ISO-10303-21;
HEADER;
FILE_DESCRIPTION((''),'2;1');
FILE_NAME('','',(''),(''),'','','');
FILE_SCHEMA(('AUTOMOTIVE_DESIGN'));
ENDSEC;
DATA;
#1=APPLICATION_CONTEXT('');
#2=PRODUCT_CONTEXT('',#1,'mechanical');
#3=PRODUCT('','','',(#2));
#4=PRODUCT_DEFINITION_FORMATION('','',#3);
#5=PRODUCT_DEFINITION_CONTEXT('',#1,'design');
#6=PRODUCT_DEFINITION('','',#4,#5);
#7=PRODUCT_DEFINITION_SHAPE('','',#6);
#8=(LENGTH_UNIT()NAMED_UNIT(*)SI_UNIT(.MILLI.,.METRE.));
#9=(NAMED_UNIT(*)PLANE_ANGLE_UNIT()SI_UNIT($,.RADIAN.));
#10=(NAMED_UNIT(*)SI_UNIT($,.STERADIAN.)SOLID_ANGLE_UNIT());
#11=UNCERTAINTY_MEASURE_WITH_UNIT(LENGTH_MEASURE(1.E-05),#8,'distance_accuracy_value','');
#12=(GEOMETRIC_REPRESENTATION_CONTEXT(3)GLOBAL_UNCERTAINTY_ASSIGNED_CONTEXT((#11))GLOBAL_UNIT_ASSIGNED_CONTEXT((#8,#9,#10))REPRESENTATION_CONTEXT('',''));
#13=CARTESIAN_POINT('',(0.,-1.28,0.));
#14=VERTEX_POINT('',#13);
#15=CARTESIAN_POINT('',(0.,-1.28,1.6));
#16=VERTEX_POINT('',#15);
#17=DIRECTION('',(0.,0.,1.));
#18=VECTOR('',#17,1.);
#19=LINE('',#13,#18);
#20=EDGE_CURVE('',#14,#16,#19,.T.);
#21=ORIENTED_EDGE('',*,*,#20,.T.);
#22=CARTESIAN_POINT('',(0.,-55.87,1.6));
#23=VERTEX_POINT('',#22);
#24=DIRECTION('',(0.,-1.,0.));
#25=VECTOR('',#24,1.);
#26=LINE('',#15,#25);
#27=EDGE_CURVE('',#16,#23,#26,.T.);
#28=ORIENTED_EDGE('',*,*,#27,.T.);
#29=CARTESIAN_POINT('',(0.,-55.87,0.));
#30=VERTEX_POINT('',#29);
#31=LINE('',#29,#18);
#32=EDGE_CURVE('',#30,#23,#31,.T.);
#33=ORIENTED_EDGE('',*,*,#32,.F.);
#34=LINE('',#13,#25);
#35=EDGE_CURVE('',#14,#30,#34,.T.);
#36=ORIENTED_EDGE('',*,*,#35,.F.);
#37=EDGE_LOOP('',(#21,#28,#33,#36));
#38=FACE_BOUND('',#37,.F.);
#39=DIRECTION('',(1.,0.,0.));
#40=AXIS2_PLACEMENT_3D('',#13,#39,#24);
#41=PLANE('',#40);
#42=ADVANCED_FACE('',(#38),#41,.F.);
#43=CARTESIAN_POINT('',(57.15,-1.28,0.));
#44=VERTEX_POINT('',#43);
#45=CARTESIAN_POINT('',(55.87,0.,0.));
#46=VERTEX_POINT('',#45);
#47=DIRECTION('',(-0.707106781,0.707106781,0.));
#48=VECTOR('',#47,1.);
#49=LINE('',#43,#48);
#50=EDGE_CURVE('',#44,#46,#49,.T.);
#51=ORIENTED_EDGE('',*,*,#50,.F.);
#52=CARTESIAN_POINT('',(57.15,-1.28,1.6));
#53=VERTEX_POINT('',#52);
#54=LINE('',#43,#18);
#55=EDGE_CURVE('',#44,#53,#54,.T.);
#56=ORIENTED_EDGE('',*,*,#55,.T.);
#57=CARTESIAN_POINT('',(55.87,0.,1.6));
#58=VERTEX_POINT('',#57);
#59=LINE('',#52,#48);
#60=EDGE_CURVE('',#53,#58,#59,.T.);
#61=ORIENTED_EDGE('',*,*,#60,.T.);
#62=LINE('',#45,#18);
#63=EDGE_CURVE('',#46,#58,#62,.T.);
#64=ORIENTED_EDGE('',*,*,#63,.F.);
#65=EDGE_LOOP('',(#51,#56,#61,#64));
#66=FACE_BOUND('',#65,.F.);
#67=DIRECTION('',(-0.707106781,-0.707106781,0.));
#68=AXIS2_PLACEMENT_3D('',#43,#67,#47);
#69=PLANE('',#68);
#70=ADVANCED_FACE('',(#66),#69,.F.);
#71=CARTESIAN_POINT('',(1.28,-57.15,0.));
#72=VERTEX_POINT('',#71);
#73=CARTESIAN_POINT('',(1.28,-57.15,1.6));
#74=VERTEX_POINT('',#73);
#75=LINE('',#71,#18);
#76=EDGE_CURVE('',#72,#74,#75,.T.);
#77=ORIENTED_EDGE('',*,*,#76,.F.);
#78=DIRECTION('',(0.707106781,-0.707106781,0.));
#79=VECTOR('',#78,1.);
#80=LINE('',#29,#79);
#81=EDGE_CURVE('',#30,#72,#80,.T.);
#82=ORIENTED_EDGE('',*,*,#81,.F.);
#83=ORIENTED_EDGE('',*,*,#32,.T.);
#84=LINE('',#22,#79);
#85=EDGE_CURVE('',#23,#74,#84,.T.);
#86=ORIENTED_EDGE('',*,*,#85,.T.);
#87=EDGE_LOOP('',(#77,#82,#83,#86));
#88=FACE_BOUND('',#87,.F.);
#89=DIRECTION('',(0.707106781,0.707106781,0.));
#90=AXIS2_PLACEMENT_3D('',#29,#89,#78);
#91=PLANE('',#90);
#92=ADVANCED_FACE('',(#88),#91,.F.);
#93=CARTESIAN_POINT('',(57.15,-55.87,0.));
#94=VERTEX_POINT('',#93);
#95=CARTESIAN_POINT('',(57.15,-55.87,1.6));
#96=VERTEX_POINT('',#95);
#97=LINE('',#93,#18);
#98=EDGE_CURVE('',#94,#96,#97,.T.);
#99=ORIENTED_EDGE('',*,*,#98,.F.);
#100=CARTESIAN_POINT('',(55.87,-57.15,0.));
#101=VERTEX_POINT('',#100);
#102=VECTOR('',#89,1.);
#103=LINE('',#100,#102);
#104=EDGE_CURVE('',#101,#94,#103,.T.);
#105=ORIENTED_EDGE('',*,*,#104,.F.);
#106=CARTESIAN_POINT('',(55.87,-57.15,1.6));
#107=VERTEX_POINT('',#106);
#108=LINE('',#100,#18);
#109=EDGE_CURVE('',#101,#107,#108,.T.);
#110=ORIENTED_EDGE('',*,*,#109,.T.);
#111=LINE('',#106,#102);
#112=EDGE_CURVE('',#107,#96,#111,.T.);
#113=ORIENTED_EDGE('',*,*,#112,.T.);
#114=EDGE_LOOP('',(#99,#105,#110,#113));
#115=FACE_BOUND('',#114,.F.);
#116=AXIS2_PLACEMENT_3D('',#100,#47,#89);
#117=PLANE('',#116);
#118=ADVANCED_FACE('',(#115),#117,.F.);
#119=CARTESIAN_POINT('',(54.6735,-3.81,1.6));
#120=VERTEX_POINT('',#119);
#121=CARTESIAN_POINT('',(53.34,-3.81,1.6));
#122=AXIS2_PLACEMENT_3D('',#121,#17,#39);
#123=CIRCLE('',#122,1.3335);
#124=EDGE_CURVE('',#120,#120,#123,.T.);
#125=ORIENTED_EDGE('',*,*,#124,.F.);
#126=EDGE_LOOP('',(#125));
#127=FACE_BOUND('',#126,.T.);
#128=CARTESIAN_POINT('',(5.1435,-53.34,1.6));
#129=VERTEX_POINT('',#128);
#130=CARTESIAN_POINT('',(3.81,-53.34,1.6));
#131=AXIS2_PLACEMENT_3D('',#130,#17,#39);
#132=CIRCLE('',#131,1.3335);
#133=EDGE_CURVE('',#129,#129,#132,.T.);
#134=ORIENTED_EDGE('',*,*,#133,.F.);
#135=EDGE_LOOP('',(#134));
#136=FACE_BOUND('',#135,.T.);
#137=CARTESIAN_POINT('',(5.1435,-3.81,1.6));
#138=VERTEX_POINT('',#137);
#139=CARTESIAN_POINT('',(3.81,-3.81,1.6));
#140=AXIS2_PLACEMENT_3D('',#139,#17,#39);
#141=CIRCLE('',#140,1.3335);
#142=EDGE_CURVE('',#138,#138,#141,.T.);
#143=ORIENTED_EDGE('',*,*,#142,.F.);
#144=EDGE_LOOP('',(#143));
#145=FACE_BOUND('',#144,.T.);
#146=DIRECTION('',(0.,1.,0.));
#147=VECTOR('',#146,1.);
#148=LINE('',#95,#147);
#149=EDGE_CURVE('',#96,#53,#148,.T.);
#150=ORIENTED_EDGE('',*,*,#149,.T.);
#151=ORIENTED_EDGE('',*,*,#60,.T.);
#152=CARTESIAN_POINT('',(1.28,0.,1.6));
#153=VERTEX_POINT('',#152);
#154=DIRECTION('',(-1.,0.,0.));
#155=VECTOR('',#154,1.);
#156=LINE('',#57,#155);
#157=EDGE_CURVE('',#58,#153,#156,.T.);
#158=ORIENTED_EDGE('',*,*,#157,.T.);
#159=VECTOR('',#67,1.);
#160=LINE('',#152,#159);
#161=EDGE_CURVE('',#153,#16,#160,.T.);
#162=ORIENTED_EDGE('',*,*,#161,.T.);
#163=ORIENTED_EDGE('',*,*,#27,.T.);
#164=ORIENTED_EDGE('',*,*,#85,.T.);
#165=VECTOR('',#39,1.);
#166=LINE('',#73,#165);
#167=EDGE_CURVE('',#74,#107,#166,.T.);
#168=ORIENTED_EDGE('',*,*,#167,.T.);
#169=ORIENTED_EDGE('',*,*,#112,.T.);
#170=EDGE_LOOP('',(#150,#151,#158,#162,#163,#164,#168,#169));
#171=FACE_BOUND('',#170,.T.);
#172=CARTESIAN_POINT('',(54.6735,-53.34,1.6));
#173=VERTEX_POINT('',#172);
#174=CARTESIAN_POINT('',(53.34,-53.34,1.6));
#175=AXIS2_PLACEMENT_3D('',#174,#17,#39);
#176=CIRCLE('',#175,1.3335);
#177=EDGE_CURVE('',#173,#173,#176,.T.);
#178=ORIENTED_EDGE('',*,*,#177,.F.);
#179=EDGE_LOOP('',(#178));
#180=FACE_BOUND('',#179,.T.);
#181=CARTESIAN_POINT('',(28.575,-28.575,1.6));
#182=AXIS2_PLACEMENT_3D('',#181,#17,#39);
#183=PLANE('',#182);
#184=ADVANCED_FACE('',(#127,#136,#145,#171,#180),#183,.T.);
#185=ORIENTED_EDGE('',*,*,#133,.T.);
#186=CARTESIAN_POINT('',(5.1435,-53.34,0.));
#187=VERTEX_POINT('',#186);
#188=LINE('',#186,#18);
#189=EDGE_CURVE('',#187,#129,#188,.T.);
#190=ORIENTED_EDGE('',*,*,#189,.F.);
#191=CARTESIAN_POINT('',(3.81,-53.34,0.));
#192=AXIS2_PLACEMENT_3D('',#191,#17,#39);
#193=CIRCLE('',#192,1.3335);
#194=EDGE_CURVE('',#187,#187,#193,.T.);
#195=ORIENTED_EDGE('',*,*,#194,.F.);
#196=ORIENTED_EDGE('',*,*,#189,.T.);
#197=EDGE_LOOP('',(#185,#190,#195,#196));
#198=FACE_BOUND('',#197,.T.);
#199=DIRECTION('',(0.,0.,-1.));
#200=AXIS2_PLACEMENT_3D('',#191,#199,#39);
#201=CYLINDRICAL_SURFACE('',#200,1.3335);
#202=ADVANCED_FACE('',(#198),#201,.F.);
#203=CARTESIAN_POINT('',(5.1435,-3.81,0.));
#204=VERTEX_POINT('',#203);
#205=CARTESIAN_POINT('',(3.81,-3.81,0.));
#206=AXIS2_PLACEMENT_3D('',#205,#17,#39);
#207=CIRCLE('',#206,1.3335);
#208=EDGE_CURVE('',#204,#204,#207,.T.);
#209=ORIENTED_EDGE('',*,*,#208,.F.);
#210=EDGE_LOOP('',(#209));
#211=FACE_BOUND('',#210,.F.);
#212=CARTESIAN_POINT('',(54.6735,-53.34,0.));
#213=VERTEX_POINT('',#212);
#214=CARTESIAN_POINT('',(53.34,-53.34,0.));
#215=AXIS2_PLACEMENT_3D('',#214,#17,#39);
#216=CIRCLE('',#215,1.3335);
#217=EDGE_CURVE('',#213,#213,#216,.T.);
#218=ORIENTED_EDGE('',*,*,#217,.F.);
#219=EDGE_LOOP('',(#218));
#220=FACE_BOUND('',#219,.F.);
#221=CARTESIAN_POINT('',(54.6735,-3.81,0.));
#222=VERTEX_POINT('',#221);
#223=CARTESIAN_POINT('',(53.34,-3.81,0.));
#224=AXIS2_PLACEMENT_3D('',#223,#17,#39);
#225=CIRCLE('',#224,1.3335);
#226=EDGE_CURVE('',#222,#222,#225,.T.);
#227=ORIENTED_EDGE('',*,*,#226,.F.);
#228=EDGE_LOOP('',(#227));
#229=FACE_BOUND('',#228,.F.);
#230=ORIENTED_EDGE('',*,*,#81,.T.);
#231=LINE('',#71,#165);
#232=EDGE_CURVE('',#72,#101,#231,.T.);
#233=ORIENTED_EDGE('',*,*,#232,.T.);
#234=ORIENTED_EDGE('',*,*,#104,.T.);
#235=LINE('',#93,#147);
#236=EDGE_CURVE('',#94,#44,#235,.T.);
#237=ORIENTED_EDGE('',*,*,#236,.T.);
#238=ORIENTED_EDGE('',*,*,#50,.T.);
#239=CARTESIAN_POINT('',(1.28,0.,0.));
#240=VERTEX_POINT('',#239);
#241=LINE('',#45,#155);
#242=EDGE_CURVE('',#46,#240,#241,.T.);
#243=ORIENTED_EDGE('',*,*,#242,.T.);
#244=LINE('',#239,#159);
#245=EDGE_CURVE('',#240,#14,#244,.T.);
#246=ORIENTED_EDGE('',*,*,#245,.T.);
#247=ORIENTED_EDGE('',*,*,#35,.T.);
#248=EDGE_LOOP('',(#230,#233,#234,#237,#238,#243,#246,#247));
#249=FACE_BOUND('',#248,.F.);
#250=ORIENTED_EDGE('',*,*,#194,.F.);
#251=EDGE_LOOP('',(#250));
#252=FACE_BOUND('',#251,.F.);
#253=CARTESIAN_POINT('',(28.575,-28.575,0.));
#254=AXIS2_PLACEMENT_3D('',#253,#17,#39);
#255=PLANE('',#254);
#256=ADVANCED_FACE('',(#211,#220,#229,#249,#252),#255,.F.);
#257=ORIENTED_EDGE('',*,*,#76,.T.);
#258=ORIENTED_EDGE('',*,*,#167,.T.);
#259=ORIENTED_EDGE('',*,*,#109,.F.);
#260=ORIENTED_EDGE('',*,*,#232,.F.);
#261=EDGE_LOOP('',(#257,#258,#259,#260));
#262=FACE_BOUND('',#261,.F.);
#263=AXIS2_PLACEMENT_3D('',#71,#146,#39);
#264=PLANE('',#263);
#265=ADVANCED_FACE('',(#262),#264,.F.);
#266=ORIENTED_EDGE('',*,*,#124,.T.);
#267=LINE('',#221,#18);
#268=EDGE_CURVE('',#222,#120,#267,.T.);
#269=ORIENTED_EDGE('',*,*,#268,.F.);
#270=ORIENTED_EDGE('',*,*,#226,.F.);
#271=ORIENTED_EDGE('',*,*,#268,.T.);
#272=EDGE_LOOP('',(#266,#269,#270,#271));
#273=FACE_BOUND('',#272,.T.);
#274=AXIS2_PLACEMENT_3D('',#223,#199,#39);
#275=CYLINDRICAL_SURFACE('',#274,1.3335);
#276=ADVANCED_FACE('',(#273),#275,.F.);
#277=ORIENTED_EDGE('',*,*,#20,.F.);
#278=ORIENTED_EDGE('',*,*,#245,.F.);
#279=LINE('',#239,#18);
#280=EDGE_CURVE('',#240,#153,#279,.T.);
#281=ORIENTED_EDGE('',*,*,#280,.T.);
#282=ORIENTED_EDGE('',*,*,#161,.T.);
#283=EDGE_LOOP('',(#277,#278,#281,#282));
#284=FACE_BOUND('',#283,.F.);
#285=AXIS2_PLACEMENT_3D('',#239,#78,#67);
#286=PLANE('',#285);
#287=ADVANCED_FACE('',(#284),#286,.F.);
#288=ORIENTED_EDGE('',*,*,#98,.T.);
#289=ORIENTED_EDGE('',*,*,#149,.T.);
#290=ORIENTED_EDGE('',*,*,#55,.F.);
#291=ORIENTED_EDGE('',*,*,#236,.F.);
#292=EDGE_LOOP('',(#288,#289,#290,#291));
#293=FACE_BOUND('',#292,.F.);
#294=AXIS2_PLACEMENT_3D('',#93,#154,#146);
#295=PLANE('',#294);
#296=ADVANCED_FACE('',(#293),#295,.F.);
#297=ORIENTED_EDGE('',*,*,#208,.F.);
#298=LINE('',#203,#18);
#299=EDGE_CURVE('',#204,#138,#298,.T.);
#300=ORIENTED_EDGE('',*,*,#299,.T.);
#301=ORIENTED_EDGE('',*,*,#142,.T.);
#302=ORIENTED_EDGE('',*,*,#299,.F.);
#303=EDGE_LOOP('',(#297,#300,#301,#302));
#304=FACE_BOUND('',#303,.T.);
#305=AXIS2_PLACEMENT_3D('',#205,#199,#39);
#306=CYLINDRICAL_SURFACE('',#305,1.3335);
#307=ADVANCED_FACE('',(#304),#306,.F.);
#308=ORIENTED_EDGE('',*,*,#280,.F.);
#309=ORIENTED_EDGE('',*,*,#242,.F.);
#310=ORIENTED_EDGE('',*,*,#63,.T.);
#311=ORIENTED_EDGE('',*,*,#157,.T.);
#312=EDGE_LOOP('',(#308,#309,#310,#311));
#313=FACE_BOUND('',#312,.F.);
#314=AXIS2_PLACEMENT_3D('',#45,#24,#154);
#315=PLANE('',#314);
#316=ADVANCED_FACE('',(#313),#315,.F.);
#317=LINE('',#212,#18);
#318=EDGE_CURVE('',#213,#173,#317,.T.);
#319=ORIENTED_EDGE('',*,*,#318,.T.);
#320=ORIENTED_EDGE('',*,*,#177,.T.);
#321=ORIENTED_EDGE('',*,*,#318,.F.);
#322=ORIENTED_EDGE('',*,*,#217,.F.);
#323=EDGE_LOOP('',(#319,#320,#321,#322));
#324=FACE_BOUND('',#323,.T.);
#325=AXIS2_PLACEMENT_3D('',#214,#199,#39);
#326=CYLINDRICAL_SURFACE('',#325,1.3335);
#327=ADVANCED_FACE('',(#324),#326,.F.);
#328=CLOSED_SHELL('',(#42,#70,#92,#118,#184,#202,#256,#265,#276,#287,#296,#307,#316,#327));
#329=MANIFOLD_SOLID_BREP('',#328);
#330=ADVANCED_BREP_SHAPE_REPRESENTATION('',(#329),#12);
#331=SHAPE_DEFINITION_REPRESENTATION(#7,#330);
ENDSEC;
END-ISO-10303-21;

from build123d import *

# Parameters (mm, degrees)
F0_R     = 1.3335
F1_DEPTH = 1.6


with BuildPart() as f1:
    # F0 (on Top) → F1 (new body)
    with BuildSketch(Plane.XY):
        Polygon((55.87, 0), (1.28, 0), (0, -1.28), (0, -55.87), (1.28, -57.15), (55.87, -57.15), (57.15, -55.87), (57.15, -1.28), align=None)
        with Locations((3.81, -53.34)):
            Circle(F0_R, mode=Mode.SUBTRACT)
        with Locations((53.34, -53.34)):
            Circle(F0_R, mode=Mode.SUBTRACT)
        with Locations((3.81, -3.81)):
            Circle(F0_R, mode=Mode.SUBTRACT)
        with Locations((53.34, -3.81)):
            Circle(F0_R, mode=Mode.SUBTRACT)
    extrude(amount=F1_DEPTH)


solid = f1.part
